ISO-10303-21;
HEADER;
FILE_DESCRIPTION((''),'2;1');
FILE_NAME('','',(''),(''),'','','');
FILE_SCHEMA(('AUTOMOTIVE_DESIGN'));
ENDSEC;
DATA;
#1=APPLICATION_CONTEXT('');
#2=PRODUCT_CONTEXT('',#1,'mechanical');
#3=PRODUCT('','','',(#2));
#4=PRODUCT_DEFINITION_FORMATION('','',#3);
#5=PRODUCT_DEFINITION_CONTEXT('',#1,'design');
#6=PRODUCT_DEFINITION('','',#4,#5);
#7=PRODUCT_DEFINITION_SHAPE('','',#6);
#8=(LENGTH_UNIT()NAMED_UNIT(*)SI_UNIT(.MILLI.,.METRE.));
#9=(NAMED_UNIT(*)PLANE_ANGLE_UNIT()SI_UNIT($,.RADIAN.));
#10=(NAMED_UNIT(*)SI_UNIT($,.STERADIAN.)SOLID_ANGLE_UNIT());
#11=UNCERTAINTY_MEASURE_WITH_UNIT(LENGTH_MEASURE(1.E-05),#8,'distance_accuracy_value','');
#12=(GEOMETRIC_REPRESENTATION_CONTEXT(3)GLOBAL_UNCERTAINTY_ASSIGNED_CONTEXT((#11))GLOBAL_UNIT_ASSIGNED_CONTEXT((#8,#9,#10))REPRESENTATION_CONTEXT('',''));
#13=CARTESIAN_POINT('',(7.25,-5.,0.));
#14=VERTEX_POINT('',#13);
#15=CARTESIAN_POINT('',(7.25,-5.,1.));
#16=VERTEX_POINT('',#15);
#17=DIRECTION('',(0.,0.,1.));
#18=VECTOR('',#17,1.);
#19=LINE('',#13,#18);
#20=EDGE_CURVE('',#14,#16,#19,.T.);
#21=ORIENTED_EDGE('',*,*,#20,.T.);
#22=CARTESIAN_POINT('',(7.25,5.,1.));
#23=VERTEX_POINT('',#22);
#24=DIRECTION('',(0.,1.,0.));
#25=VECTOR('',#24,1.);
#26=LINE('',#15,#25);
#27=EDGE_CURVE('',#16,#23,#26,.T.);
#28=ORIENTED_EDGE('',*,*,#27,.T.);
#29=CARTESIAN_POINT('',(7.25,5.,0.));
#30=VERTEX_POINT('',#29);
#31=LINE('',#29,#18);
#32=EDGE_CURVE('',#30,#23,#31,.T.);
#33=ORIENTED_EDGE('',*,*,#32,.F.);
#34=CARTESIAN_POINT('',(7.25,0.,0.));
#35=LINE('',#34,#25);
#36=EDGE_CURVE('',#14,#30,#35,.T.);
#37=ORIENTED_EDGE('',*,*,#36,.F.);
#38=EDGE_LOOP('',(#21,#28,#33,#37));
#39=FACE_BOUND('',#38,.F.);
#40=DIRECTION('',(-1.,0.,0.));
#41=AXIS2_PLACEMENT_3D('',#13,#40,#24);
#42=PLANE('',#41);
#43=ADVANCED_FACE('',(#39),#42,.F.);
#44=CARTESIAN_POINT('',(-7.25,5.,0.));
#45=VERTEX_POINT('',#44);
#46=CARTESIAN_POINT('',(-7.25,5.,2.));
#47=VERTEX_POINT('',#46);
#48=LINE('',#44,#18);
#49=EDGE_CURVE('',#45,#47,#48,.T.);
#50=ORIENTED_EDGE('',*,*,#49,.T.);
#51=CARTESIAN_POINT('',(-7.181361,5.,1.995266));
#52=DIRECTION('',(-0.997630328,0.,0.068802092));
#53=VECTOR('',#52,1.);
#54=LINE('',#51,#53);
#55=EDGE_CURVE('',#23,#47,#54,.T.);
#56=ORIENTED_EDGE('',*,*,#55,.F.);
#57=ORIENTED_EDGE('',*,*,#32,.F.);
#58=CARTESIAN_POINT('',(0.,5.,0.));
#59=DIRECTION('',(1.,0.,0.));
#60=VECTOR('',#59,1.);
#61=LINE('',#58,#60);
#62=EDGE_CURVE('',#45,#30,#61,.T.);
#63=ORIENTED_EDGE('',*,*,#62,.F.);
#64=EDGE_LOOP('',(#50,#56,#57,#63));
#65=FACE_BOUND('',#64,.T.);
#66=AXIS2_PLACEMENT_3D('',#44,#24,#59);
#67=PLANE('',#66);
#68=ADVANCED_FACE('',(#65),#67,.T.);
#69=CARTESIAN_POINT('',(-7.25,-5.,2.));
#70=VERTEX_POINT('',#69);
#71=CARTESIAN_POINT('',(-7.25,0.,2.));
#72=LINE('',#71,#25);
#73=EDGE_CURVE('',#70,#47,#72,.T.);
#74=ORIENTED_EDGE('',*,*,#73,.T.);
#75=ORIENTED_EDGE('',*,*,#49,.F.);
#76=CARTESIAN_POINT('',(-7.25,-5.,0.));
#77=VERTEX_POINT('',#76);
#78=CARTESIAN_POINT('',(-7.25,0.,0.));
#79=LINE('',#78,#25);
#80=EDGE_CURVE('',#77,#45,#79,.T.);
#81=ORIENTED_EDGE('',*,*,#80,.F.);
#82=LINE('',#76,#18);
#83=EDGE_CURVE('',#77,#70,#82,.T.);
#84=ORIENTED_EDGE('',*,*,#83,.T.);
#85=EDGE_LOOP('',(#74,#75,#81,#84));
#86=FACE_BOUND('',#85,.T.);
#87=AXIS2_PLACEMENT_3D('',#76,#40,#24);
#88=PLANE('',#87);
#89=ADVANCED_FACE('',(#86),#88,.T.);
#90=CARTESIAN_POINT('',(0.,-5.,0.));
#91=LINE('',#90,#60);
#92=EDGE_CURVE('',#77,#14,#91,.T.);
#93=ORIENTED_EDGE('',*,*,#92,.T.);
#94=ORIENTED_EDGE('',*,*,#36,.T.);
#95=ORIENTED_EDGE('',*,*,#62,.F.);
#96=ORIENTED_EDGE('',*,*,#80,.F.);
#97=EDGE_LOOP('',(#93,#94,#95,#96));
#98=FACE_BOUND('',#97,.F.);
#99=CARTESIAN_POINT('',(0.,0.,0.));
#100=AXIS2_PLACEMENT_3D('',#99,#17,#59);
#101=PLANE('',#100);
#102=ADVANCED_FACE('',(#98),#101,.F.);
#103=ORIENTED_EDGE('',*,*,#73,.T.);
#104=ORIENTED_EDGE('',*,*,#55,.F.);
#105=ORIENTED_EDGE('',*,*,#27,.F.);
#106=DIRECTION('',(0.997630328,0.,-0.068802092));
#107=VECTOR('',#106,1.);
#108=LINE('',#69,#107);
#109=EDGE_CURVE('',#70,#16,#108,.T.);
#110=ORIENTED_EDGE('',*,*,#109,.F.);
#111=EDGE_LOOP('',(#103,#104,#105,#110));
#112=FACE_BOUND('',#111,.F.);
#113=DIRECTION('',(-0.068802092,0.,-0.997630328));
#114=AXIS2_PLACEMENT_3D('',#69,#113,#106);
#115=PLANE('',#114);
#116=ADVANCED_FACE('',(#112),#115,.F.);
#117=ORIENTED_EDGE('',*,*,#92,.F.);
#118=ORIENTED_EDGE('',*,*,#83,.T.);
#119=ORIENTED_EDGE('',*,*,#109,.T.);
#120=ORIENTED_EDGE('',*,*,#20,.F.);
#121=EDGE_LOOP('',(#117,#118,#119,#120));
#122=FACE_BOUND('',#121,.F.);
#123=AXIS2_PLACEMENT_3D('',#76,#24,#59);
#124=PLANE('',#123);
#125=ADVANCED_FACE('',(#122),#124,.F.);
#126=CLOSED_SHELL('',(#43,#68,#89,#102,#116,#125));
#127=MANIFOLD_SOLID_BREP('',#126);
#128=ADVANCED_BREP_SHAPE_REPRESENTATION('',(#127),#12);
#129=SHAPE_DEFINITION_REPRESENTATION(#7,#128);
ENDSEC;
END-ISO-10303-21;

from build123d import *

# Parameters (mm, degrees)
F0_W     = 14.5
F0_H     = 10
F1_DEPTH = 2
F3_DEPTH = 10.001


with BuildPart() as f1:
    # F0 (on Top) → F1 (new body)
    with BuildSketch(Plane.XY):
        Rectangle(F0_W, F0_H)
    extrude(amount=F1_DEPTH)

    # F2 (on face) → F3 (cut, through all)
    with BuildSketch(Plane.XZ.offset(5)):
        Polygon((7.25, 2), (-7.25, 2), (7.25, 1), align=None)
    extrude(amount=-F3_DEPTH, mode=Mode.SUBTRACT)


solid = f1.part
